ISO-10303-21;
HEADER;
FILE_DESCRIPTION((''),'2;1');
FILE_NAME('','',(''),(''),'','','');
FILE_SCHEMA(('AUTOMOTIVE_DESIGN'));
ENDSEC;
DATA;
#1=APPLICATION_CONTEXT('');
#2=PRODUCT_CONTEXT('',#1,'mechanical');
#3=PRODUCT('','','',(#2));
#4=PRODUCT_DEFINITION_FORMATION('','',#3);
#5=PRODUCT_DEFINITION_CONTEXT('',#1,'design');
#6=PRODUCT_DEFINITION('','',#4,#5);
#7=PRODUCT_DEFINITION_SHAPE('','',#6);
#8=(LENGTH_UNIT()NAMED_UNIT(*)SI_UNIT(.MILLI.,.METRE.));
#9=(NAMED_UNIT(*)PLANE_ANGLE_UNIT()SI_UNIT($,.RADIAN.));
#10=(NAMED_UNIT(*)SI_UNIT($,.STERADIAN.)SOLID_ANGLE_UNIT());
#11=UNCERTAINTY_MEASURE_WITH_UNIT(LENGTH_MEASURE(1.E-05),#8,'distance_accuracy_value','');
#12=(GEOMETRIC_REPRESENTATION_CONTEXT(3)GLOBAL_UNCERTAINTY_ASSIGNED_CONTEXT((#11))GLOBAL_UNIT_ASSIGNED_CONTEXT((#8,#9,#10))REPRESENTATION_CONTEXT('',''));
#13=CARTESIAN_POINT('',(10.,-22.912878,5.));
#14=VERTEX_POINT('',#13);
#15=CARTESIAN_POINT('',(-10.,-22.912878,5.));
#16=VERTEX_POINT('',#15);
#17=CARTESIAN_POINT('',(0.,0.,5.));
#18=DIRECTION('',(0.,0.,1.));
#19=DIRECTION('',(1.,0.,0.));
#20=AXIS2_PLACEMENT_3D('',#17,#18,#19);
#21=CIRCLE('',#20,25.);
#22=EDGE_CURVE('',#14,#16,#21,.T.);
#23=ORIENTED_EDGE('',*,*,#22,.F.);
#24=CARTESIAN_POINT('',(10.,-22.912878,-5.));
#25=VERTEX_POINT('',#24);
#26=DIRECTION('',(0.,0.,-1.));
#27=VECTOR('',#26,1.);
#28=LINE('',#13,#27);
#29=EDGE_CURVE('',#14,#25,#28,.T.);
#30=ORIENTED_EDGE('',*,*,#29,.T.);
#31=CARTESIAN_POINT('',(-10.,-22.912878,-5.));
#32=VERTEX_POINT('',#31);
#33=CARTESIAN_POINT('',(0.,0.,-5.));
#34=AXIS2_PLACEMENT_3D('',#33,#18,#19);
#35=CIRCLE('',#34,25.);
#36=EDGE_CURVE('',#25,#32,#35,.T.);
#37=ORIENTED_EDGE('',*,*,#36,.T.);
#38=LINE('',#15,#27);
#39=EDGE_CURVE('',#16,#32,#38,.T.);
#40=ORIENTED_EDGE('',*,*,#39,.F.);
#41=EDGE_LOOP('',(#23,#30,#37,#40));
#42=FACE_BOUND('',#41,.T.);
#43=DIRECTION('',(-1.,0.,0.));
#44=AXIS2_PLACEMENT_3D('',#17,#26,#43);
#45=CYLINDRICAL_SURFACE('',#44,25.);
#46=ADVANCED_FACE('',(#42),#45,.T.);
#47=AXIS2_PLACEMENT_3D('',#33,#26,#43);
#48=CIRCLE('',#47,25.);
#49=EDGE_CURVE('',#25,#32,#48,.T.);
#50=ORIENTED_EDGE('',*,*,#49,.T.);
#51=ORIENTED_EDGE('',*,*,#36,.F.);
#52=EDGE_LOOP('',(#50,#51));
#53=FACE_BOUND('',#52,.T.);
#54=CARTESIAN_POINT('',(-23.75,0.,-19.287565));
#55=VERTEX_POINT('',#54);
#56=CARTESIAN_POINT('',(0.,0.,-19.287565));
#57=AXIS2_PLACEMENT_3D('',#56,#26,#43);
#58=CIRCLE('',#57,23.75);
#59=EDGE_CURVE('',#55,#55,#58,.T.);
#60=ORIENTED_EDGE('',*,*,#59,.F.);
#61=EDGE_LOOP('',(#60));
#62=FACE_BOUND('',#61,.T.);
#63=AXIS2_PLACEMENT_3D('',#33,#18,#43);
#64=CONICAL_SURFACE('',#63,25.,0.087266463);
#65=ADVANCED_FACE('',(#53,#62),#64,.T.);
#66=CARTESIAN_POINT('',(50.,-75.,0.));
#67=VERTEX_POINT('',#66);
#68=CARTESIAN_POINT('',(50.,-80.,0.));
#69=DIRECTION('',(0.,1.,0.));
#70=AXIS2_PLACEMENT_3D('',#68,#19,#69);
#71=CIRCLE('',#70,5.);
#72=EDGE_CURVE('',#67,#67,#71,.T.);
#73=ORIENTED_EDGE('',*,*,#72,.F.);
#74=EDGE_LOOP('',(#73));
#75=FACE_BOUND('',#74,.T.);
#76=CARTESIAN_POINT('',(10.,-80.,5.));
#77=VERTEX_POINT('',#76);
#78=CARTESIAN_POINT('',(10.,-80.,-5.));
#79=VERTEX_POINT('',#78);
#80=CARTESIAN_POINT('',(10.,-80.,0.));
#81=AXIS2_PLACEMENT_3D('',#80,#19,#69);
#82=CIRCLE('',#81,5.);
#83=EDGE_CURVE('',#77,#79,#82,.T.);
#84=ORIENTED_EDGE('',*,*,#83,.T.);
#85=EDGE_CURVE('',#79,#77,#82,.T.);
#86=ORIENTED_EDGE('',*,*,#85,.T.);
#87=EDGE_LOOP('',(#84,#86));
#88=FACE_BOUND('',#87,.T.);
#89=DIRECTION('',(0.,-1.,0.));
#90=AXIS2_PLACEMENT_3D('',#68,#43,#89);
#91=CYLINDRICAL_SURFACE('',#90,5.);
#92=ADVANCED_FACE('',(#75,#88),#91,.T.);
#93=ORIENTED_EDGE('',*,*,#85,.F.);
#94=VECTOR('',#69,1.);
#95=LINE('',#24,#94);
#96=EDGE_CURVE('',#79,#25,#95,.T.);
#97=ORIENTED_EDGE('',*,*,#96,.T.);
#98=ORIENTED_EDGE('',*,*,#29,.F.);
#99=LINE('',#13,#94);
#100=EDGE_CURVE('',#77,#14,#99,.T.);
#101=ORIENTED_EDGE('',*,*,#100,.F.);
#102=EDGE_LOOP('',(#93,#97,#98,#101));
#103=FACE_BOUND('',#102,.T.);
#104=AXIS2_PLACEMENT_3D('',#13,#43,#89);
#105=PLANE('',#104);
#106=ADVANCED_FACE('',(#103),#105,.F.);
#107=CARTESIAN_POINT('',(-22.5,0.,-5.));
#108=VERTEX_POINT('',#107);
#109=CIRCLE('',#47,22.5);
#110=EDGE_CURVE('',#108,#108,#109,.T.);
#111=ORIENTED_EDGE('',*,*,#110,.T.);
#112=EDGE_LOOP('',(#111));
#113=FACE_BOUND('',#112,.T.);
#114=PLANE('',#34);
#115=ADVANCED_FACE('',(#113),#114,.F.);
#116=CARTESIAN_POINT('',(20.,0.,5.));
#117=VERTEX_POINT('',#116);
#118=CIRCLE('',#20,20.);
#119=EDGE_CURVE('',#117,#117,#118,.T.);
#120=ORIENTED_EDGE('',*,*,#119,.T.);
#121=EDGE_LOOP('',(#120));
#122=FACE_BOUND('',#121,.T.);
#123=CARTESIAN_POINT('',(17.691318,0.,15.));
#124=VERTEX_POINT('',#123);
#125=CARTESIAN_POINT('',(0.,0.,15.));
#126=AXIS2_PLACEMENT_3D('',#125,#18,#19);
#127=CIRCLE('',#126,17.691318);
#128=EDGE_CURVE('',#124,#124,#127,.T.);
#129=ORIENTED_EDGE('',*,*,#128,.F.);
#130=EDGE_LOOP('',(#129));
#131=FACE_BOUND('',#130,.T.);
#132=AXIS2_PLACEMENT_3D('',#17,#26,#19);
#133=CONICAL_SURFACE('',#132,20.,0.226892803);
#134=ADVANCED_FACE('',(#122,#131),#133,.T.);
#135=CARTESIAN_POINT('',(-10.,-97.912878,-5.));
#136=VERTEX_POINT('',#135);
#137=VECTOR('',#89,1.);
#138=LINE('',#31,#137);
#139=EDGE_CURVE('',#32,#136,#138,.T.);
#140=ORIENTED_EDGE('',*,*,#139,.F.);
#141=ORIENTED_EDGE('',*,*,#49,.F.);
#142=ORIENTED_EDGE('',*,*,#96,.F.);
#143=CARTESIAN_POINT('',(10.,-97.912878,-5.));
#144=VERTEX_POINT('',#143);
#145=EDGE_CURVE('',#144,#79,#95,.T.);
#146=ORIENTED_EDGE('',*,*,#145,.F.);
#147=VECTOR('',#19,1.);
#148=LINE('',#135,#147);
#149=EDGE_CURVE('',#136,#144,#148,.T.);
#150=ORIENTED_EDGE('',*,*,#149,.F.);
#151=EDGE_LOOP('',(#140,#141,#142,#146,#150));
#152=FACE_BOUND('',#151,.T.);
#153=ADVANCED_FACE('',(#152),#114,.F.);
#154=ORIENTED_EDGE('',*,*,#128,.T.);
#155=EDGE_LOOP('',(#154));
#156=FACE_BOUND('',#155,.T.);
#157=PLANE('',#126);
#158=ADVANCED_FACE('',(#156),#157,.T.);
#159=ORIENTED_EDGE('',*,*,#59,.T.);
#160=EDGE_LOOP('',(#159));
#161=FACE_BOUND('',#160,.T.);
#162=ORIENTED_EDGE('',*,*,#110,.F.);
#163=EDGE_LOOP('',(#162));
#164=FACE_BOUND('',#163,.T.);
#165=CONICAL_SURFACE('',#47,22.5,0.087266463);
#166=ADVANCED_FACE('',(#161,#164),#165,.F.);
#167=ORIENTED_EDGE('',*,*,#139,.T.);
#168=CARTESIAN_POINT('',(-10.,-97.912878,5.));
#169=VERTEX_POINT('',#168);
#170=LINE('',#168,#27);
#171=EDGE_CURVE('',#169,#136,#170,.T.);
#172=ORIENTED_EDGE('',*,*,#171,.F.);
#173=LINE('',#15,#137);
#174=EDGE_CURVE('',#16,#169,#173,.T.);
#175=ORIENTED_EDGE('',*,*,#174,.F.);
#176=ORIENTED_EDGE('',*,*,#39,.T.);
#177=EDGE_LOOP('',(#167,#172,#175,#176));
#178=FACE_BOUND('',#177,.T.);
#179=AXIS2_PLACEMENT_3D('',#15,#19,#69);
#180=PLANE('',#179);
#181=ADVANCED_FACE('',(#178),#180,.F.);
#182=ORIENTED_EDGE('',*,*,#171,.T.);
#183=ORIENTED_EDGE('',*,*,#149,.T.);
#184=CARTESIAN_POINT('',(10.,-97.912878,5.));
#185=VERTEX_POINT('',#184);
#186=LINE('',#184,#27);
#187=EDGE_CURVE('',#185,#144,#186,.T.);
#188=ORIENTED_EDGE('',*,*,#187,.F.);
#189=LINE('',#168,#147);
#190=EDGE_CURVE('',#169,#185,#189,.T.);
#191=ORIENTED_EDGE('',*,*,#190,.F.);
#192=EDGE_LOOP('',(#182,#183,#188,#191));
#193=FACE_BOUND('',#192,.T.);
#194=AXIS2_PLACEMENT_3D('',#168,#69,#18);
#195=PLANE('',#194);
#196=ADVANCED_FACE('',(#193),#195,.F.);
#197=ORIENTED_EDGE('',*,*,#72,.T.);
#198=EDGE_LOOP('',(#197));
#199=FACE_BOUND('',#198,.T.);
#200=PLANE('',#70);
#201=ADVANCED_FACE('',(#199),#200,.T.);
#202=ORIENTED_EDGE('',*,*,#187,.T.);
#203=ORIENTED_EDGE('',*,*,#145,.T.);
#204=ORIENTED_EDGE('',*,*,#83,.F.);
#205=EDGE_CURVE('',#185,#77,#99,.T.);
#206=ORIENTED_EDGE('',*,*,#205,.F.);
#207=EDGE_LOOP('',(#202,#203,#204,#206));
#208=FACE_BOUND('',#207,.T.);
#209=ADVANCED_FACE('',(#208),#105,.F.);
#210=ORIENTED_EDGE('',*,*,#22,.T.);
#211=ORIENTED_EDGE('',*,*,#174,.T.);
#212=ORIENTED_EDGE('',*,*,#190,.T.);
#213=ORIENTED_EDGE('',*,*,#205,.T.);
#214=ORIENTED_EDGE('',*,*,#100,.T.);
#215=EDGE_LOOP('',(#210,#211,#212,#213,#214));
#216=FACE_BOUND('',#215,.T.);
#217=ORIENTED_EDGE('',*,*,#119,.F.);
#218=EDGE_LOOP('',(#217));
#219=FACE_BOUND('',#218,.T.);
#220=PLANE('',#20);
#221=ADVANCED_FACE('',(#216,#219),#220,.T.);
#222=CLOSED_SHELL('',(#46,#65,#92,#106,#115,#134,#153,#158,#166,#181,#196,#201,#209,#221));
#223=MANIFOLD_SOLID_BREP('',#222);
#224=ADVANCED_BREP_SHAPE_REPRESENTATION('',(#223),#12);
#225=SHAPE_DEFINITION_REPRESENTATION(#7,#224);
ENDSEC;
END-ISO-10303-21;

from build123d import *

# Parameters (mm, degrees)
BOSS_EXTRUDE1_DEPTH = 5
SKETCH2_R           = 20
BOSS_EXTRUDE2_DEPTH = 10
BOSS_EXTRUDE2_TAPER = 13
SKETCH3_R           = 25
SKETCH3_R_2         = 22.5
BOSS_EXTRUDE3_DEPTH = 15
BOSS_EXTRUDE3_TAPER = 5
SKETCH4_R           = 5
BOSS_EXTRUDE4_DEPTH = 40


with BuildPart() as part:
    # Sketch1 → Boss-Extrude1 (new, symmetric)
    with BuildSketch(Plane.XY):
        with BuildLine():
            Line((-10, -22.912878475), (-10, -97.912878475))
            Line((-10, -97.912878475), (10, -97.912878475))
            Line((10, -97.912878475), (10, -22.912878475))
            ThreePointArc((10, -22.912878475), (0, 25), (-10, -22.912878475))
        make_face()
    extrude(amount=BOSS_EXTRUDE1_DEPTH, both=True)

    # Sketch2 → Boss-Extrude2 (add)
    with BuildSketch(Plane.XY.offset(5)):
        Circle(SKETCH2_R)
    extrude(amount=BOSS_EXTRUDE2_DEPTH, taper=BOSS_EXTRUDE2_TAPER)

    # Sketch3 → Boss-Extrude3 (add)
    with BuildSketch(Plane(origin=(0, 0, -5), x_dir=(-1, 0, 0), z_dir=(0, 0, -1))):
        Circle(SKETCH3_R)
        Circle(SKETCH3_R_2, mode=Mode.SUBTRACT)
    extrude(amount=BOSS_EXTRUDE3_DEPTH, taper=BOSS_EXTRUDE3_TAPER)

    # Sketch4 → Boss-Extrude4 (add)
    with BuildSketch(Plane(origin=(10, 0, 0), x_dir=(0, 0, -1), z_dir=(1, 0, 0))):
        with Locations((0, -80)):
            Circle(SKETCH4_R)
    extrude(amount=BOSS_EXTRUDE4_DEPTH)


solid = part.part
